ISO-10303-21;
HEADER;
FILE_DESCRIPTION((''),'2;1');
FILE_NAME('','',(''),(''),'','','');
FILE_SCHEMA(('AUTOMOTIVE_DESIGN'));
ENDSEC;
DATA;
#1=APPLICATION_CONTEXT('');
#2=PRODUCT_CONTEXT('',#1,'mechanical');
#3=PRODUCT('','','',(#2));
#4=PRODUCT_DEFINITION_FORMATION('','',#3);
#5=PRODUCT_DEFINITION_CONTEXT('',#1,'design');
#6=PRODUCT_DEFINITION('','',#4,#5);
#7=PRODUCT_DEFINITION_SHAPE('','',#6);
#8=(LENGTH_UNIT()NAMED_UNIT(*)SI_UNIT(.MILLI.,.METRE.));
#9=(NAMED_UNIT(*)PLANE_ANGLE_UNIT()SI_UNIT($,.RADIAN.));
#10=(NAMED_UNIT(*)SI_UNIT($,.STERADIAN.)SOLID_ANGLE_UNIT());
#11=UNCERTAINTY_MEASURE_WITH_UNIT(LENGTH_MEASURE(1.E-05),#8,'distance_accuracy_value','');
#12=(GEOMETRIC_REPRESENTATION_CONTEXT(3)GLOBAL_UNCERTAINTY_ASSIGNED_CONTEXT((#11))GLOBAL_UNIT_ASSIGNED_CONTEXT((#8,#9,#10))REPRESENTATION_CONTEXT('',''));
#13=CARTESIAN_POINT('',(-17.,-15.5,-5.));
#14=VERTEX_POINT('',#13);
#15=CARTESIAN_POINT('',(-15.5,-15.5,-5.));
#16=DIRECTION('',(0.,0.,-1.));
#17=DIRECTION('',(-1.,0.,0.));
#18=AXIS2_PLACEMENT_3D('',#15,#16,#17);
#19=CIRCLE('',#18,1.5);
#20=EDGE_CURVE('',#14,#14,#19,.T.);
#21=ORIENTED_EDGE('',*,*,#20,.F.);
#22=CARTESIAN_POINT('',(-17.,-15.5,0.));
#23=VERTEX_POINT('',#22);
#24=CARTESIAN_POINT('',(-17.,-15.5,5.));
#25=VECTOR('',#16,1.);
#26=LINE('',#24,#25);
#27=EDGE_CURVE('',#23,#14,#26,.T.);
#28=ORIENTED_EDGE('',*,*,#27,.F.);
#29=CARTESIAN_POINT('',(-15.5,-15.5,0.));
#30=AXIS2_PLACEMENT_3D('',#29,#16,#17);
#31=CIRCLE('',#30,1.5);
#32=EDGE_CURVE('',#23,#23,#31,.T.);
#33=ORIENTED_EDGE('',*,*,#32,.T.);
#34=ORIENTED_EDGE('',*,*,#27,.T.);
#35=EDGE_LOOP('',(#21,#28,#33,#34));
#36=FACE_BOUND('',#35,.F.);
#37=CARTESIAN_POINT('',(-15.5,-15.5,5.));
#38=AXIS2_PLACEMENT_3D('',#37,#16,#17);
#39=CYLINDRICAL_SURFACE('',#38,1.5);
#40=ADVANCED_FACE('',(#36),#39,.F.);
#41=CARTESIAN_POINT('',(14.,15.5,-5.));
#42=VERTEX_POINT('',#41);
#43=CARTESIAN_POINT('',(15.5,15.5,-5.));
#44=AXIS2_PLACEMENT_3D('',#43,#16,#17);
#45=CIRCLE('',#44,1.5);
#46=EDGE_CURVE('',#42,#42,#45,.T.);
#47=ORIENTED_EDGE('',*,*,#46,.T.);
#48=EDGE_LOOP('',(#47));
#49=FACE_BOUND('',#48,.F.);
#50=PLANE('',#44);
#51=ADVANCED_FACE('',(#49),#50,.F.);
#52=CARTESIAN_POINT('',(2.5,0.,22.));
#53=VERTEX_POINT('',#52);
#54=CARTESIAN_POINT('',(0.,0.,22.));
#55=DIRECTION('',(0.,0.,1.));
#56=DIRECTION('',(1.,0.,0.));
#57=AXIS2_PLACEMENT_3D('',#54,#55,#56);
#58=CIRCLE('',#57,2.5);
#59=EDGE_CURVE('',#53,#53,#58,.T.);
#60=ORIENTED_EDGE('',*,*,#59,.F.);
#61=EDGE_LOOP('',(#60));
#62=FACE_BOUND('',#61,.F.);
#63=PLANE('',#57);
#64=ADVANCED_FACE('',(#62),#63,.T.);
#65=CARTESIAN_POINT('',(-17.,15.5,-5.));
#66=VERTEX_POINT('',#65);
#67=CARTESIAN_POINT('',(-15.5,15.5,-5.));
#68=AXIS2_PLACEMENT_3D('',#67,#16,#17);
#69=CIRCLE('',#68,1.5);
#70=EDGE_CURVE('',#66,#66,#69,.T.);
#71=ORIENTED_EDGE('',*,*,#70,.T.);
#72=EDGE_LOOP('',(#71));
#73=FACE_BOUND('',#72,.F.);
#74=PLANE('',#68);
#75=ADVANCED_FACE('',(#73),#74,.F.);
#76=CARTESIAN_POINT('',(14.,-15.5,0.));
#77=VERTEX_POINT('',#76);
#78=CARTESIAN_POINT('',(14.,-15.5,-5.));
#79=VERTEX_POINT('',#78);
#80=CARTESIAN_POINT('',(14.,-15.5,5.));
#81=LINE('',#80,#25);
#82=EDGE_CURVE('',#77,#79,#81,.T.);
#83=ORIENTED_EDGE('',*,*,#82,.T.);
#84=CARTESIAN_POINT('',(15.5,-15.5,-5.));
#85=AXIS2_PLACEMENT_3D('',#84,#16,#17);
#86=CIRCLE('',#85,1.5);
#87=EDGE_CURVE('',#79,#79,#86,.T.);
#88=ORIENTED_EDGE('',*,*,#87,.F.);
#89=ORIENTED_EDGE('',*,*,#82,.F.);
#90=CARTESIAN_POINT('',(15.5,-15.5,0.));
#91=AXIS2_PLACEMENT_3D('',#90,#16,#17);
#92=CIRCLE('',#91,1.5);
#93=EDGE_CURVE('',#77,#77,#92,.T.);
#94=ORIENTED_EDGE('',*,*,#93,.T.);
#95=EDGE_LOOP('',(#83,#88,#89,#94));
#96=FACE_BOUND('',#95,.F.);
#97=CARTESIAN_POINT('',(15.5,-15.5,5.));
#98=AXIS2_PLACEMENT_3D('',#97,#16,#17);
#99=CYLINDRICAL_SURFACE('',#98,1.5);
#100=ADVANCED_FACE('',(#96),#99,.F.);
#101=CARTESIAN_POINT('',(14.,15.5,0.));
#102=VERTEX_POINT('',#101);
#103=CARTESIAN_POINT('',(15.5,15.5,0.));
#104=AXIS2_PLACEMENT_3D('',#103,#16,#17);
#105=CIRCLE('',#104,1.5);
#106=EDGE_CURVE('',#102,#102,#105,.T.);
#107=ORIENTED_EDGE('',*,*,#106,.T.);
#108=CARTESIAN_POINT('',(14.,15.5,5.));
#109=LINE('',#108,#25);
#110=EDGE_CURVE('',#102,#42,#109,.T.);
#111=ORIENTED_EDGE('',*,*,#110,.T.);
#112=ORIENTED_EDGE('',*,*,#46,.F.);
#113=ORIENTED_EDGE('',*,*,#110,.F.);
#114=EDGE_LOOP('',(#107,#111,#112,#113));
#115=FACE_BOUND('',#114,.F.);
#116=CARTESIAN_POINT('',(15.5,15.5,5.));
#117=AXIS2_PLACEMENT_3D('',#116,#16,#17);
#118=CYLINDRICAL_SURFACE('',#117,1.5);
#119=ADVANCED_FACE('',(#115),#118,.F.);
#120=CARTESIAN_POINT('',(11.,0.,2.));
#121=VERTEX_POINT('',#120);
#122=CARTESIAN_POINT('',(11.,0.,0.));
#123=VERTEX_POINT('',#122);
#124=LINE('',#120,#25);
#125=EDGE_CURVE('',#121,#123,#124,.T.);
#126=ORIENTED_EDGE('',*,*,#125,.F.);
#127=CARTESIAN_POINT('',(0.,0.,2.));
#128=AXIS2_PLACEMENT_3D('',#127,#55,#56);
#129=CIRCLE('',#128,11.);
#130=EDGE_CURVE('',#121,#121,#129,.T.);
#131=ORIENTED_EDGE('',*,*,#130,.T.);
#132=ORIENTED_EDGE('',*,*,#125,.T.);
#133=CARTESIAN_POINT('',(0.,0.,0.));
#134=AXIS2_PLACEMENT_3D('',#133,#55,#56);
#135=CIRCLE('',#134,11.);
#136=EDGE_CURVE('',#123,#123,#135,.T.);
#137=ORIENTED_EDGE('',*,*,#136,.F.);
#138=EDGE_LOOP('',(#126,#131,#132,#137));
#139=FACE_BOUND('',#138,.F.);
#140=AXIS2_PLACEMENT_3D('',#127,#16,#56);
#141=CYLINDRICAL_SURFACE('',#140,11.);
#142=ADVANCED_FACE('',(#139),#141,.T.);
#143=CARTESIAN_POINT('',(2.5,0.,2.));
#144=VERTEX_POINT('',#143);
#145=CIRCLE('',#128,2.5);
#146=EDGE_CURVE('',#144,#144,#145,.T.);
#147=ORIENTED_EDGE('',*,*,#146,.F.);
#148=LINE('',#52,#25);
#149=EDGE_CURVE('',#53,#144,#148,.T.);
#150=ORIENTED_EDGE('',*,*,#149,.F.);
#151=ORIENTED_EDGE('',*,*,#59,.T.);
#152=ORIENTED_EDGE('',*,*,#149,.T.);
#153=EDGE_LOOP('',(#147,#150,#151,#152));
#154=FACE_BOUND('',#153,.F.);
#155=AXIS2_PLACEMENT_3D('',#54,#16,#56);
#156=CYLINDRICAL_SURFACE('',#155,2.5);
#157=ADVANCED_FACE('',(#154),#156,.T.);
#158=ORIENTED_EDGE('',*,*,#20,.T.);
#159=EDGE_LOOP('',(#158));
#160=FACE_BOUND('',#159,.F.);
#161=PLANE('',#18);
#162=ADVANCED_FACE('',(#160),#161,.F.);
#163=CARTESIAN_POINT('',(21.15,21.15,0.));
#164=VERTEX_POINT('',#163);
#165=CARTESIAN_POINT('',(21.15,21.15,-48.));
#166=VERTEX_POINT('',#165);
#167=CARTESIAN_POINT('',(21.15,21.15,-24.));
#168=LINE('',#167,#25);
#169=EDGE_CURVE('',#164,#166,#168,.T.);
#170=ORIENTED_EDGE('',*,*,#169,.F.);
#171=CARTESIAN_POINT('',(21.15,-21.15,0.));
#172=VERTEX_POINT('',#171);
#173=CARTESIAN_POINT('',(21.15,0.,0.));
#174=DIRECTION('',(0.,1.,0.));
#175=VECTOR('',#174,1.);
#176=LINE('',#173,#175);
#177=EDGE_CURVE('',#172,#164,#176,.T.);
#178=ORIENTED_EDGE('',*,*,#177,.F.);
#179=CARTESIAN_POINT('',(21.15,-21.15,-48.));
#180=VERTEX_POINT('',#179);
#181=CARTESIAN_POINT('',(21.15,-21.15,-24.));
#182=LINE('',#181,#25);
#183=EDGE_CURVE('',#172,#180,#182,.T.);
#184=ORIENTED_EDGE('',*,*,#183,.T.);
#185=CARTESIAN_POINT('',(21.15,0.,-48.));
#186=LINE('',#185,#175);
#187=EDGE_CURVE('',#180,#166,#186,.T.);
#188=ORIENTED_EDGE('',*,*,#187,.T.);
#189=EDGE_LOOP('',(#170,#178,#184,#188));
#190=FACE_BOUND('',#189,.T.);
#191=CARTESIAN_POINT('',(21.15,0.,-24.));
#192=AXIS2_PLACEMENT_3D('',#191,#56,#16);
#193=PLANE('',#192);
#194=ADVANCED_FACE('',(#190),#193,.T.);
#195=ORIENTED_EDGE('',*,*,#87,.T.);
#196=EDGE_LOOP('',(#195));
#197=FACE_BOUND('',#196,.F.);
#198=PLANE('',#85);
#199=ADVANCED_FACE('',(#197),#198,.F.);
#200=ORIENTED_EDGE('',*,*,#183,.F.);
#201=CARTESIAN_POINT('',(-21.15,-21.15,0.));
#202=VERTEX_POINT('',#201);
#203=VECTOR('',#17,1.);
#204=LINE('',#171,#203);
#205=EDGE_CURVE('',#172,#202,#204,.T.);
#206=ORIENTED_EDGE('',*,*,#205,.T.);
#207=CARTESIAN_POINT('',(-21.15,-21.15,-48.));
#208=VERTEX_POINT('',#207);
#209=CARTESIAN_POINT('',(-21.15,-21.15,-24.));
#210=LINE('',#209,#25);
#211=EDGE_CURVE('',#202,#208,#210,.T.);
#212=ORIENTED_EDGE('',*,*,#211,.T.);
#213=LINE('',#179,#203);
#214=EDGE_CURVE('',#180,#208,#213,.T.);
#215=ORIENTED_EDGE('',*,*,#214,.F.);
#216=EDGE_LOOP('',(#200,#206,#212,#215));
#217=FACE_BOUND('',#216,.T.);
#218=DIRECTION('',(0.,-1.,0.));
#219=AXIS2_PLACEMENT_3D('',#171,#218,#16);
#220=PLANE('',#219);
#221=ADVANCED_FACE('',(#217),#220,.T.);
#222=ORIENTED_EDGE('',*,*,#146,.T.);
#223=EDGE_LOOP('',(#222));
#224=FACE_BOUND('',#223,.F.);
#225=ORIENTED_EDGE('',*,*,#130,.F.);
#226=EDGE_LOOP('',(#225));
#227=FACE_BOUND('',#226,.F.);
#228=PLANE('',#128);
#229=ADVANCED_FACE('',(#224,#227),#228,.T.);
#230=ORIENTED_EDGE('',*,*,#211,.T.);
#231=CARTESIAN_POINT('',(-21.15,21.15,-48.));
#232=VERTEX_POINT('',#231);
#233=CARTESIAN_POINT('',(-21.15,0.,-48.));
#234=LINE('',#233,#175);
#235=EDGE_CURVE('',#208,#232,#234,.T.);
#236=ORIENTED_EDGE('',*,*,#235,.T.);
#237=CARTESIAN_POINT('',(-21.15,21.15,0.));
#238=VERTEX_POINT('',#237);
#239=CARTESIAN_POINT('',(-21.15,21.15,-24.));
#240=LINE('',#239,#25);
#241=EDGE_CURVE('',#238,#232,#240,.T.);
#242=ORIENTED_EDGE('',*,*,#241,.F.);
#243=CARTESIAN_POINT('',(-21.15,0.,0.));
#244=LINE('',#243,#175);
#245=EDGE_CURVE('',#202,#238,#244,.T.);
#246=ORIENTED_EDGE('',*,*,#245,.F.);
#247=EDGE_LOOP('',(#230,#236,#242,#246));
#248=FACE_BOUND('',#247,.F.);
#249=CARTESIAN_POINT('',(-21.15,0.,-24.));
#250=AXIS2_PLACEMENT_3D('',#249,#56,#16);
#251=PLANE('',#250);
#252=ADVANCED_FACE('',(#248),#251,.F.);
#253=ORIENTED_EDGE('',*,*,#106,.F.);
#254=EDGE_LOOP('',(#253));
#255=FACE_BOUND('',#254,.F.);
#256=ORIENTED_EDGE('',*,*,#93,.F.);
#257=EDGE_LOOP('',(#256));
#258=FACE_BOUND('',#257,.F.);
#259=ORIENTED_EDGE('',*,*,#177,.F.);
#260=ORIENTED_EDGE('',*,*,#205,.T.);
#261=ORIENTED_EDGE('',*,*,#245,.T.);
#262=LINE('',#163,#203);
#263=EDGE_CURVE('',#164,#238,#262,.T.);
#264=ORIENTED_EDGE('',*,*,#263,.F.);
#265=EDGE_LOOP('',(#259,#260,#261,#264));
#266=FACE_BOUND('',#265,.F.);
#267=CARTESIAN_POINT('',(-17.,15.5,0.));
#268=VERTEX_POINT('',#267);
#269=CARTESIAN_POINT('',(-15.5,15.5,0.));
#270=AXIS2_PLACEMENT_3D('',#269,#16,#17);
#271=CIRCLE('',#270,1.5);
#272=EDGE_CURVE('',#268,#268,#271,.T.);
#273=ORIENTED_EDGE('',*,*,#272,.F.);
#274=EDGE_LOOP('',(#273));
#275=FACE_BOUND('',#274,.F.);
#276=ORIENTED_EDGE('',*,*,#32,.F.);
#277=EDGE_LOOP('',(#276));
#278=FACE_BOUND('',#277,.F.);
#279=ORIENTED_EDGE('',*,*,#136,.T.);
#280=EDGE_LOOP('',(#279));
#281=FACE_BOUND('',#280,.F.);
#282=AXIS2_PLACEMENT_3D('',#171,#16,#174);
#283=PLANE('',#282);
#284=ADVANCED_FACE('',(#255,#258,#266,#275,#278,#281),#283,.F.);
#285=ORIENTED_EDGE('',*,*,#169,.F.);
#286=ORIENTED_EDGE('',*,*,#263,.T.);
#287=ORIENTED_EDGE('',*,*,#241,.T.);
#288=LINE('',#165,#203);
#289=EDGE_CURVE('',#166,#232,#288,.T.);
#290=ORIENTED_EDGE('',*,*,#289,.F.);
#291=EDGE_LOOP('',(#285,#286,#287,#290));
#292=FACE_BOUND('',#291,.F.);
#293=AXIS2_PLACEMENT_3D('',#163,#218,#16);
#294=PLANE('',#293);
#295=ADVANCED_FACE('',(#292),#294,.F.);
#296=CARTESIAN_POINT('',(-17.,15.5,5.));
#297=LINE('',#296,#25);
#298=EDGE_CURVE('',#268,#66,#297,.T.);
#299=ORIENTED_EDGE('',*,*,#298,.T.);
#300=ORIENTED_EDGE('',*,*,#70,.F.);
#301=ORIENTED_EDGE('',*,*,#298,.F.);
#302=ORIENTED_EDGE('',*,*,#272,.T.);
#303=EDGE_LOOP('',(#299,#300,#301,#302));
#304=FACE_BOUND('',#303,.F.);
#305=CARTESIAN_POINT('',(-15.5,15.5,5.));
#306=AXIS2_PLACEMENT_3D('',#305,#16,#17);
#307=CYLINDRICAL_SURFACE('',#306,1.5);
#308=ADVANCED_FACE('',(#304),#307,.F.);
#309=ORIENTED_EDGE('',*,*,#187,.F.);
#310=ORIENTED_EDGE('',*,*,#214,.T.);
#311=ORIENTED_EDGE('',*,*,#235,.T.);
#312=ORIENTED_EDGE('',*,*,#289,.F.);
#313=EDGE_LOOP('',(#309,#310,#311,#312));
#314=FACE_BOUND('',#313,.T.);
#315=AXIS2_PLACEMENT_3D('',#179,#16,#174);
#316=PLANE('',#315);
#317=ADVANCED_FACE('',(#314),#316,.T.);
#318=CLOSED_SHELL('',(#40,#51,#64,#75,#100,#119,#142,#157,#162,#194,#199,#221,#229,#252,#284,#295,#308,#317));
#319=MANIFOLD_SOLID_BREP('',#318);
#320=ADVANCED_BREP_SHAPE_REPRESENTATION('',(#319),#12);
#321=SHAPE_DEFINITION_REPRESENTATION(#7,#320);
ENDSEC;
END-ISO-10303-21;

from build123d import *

# Parameters (mm, degrees)
ESQUISSE1_W                       = 48
ESQUISSE1_H                       = 42.3
BOSS_EXTRU_1_DEPTH                = 42.3
DIAM_TRE_DU_PER_AGE_3_0_3_1_D     = 3
DIAM_TRE_DU_PER_AGE_3_0_3_1_DEPTH = 5


with BuildPart() as part:
    # Esquisse1 → Boss.-Extru.1 (new body)
    with BuildSketch(Plane(origin=(21.15, 0, 0), x_dir=(0, 0, -1), z_dir=(1, 0, 0))):
        with Locations((24, 0)):
            Rectangle(ESQUISSE1_W, ESQUISSE1_H)
    extrude(amount=-BOSS_EXTRU_1_DEPTH)

    # Esquisse2 → Révolution1 (revolve)
    with BuildSketch(Plane(origin=(0, 0, 0), x_dir=(1, 0, 0), z_dir=(0, 1, 0))):
        Polygon((11, 0), (0, 0), (0, -22), (2.5, -22), (2.5, -2), (11, -2), align=None)
    revolve(axis=Axis((0, 0, 0), (0, 0, 1)))

    # Diamètre du perçage Ø3.0 (3)1
    with Locations(Plane.XY):
        with Locations((15.5, 15.5), (15.5, -15.5), (-15.5, 15.5), (-15.5, -15.5)):
            Hole(DIAM_TRE_DU_PER_AGE_3_0_3_1_D / 2, depth=DIAM_TRE_DU_PER_AGE_3_0_3_1_DEPTH)


solid = part.part
